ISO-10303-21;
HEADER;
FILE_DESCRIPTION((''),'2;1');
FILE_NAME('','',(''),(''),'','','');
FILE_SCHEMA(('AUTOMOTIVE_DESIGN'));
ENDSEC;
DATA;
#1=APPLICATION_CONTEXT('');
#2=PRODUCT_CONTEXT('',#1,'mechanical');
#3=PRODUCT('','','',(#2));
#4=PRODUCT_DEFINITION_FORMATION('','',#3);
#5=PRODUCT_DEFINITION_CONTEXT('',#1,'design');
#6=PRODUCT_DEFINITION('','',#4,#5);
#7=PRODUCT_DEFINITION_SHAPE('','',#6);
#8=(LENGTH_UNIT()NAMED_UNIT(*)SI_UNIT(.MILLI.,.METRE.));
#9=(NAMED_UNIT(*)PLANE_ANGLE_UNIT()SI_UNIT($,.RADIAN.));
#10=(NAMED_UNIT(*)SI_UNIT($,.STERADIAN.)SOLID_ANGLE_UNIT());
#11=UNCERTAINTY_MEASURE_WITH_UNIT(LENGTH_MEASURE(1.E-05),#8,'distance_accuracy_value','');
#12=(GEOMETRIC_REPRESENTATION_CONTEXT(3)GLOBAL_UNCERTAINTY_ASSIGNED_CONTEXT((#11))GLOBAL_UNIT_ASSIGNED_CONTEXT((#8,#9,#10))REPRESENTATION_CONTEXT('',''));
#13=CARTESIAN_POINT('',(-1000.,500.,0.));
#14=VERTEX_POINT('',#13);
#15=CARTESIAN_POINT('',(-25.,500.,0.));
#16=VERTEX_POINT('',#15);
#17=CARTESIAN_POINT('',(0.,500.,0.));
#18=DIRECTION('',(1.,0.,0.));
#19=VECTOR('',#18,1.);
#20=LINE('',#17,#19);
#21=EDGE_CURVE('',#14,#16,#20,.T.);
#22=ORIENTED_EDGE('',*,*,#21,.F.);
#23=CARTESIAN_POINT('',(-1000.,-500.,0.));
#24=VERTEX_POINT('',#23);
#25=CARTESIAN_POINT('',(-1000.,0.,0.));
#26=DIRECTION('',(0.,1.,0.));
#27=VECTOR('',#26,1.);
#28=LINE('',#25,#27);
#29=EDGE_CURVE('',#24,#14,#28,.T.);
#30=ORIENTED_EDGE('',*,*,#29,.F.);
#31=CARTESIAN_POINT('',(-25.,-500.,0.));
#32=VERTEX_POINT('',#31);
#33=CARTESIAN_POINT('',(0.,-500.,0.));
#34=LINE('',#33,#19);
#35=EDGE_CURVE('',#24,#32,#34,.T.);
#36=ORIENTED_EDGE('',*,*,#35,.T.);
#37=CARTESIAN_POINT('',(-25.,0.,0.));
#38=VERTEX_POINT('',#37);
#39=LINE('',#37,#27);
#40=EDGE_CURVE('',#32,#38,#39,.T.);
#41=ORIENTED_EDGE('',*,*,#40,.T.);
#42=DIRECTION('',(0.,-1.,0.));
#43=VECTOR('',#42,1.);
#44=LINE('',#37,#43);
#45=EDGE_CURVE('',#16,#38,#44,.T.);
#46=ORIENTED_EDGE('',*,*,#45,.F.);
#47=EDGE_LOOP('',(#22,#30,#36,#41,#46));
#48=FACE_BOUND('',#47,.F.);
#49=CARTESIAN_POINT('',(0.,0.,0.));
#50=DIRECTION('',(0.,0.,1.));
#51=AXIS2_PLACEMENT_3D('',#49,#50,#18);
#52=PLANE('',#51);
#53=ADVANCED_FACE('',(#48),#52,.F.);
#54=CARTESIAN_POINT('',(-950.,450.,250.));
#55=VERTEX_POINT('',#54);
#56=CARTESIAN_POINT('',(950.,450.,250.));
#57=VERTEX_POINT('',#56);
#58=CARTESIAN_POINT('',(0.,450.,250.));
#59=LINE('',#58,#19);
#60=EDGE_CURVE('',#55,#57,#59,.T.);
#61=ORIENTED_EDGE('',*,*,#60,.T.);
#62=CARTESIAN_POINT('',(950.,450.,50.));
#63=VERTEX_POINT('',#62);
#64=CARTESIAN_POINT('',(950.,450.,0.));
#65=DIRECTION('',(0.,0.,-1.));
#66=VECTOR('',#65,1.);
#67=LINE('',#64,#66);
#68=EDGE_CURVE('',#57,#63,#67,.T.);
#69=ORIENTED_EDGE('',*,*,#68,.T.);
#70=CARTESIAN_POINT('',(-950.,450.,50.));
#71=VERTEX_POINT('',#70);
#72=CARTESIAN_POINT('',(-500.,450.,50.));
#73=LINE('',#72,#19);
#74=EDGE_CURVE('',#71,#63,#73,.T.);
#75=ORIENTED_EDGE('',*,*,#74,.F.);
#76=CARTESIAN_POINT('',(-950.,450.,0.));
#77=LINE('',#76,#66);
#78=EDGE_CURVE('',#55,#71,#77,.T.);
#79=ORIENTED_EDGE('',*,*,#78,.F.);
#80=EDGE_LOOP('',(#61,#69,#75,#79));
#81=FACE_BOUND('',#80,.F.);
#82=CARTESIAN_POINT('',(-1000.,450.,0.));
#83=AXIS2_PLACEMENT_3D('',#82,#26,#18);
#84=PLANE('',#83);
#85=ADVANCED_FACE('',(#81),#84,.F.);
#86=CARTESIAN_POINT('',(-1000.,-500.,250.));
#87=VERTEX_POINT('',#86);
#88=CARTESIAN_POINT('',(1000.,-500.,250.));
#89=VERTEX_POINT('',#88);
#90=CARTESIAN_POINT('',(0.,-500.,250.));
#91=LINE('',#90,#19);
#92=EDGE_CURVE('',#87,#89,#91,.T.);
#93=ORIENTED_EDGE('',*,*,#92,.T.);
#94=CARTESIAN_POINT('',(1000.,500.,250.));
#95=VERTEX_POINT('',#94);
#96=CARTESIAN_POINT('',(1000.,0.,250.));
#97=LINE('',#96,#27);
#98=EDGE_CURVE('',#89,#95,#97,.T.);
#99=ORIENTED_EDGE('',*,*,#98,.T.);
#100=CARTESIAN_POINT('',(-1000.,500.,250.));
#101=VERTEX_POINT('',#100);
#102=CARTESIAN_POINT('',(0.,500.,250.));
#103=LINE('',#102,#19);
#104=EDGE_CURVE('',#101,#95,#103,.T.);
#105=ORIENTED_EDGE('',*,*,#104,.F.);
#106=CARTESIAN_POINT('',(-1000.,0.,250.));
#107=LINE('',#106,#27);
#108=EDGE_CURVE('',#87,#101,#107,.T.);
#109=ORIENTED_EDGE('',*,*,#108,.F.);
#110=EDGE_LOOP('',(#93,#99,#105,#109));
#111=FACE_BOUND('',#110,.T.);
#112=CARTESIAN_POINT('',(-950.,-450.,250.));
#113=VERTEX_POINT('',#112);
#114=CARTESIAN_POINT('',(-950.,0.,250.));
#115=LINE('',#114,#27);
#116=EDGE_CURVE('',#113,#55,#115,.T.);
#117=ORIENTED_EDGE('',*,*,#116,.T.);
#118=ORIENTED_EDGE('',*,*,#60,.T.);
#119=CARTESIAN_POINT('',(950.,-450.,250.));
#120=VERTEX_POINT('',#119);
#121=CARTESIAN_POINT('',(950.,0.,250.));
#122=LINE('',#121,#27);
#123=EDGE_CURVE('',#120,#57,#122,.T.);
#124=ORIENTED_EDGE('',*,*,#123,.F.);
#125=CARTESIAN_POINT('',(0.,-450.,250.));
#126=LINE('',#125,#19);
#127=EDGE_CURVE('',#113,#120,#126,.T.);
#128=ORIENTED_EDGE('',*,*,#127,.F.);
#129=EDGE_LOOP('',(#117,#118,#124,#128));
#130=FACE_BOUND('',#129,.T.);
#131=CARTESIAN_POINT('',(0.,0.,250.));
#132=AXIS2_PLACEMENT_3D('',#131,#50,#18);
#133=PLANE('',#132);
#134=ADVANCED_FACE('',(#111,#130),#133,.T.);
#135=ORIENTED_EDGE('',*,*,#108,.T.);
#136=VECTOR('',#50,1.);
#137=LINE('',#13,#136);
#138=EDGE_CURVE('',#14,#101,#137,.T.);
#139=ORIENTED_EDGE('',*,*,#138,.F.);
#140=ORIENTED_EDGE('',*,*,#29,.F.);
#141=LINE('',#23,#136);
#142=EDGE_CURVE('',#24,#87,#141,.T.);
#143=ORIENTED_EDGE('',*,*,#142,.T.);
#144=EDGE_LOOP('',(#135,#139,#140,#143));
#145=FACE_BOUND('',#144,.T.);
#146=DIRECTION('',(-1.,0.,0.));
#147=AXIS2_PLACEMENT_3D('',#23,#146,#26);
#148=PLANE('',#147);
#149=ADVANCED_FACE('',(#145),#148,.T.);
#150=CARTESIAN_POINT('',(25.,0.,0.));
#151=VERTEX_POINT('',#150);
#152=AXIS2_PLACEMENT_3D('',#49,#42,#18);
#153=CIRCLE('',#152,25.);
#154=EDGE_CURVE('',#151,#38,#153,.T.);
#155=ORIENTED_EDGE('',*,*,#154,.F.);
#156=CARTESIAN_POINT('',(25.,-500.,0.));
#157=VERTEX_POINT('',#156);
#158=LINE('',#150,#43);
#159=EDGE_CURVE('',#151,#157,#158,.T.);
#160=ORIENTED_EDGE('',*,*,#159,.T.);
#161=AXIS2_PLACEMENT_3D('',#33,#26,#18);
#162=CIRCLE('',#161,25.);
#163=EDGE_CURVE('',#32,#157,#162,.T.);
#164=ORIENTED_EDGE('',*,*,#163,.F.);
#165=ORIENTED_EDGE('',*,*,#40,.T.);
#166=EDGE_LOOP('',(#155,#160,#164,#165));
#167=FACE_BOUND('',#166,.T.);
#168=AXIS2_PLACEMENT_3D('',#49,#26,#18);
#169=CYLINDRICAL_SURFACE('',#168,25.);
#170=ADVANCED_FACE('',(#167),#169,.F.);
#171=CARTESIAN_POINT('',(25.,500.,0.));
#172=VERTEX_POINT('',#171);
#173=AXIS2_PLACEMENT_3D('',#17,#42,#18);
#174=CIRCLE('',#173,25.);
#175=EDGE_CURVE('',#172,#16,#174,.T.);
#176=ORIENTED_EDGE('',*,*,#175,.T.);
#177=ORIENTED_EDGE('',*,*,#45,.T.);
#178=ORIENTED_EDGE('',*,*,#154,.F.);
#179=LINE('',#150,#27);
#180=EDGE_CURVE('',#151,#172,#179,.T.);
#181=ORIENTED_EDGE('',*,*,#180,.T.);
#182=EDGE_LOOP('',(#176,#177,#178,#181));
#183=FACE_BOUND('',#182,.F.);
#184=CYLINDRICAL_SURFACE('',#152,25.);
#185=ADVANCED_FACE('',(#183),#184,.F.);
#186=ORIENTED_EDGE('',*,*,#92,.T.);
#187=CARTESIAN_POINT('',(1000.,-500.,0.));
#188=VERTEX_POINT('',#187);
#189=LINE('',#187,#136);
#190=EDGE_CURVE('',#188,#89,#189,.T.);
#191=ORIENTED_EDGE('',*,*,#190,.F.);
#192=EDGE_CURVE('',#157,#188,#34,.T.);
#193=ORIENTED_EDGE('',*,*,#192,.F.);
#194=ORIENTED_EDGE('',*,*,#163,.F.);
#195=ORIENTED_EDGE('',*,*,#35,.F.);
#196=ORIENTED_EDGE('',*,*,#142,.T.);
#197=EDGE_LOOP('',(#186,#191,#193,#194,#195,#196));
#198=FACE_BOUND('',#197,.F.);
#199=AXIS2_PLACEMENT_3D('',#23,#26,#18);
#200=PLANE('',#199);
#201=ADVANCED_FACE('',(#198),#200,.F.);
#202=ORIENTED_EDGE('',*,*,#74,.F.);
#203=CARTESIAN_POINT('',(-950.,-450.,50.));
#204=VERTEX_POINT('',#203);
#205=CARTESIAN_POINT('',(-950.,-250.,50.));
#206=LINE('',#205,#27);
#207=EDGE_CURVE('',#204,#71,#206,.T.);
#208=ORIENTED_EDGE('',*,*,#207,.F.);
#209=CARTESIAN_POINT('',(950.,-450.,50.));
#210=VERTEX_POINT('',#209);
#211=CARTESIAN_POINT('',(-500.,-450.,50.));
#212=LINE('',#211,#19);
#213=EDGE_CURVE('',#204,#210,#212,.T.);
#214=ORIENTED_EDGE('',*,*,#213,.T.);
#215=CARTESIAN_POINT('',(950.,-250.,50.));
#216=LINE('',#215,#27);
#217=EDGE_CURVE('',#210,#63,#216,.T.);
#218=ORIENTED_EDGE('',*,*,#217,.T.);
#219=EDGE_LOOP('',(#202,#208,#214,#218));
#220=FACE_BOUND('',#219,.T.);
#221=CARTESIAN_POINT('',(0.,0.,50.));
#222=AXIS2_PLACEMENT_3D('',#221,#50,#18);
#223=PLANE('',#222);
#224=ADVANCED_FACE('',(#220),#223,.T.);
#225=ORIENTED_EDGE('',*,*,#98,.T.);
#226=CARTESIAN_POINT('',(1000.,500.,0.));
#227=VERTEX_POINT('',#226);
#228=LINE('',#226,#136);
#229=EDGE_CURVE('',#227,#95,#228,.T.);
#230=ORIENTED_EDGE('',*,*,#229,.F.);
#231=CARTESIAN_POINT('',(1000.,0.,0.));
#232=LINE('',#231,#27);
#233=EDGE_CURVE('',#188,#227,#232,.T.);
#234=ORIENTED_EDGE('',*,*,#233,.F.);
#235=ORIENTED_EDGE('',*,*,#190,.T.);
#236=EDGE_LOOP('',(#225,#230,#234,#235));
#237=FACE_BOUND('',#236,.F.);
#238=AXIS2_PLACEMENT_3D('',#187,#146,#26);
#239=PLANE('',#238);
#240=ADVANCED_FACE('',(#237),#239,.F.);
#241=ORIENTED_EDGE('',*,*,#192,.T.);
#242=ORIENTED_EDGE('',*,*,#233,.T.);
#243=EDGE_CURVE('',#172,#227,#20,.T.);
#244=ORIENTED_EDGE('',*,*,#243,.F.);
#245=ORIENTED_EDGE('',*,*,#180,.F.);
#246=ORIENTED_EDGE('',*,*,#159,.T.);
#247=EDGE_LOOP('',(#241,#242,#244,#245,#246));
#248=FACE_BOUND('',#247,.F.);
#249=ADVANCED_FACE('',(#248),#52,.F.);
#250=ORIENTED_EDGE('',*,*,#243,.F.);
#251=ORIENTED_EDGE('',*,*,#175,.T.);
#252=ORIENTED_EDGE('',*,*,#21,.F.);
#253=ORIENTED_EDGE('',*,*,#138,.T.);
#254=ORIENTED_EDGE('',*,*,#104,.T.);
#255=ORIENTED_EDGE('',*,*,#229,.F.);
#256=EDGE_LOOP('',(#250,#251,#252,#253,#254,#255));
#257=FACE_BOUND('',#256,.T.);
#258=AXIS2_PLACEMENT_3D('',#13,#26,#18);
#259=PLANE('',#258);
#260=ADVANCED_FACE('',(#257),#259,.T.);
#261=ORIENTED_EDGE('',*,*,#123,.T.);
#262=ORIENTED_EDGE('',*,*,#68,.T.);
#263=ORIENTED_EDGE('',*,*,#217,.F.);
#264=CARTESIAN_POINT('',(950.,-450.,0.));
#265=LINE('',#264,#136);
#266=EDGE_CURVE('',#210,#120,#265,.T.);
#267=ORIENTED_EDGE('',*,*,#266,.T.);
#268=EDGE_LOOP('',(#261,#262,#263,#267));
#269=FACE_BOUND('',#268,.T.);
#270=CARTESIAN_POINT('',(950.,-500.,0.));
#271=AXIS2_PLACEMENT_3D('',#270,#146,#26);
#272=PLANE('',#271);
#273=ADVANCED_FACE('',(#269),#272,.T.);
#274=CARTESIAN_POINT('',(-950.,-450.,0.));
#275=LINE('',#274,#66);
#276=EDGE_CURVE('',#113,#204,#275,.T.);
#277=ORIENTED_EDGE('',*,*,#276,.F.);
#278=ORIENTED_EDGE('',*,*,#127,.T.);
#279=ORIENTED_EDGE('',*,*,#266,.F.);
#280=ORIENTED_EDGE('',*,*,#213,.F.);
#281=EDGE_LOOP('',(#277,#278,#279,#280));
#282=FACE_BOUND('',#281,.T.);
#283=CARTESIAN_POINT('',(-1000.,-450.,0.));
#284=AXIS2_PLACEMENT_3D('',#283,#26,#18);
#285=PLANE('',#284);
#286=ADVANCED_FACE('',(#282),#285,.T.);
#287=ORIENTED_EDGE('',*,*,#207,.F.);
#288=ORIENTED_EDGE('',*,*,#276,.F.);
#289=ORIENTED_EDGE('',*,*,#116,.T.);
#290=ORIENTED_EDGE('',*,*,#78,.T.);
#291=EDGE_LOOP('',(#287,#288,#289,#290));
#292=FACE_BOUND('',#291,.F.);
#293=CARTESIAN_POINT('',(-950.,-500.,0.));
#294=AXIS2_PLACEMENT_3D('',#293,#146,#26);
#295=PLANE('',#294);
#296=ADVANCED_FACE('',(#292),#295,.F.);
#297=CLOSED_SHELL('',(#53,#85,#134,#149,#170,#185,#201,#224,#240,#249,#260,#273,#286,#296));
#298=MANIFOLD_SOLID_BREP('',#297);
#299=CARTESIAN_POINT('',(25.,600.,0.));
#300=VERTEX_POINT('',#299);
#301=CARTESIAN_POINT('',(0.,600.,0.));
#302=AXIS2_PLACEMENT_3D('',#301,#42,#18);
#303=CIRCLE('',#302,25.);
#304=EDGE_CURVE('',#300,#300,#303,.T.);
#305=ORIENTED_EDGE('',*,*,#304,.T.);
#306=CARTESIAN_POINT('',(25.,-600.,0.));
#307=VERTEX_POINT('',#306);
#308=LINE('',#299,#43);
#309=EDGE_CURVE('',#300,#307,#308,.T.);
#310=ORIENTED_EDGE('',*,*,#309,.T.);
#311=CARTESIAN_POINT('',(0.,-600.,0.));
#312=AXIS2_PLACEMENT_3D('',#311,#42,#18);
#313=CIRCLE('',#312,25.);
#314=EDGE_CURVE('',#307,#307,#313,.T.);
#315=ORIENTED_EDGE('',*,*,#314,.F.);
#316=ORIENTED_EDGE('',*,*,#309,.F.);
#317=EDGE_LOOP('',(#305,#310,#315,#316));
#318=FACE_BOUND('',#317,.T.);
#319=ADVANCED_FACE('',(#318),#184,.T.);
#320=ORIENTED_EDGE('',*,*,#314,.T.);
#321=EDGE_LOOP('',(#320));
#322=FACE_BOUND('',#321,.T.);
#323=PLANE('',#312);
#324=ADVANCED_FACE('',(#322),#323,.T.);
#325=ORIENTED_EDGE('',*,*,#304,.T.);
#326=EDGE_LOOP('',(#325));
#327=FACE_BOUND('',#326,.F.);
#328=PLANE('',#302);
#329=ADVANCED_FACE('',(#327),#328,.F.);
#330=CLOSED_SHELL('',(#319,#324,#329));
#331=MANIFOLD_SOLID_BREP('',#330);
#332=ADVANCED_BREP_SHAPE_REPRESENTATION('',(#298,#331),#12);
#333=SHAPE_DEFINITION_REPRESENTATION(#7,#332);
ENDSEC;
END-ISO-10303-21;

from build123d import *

# Parameters (mm, degrees)
F0_W          = 2000
F0_H          = 1000
F1_DEPTH      = 250
F2_T          = -50
F3_R          = 25
F4_DEPTH      = 500.001
F4_DEPTH_BACK = 500.001
F5_DEPTH      = 600
F5_DEPTH_BACK = 600


with BuildPart() as f1:
    # F0 (on Top) → F1 (new body)
    with BuildSketch(Plane.XY):
        Rectangle(F0_W, F0_H)
    extrude(amount=F1_DEPTH)

    # F2
    f2_openings = [f1.faces().sort_by_distance(p)[0] for p in [
        (0, 0, 250),
    ]]
    offset(amount=F2_T, openings=f2_openings)

    # F3 (on Front) → F4 (cut, two sides)
    with BuildSketch(Plane.XZ) as f4_sk:
        Circle(F3_R)
    extrude(amount=-F4_DEPTH, mode=Mode.SUBTRACT)
    extrude(f4_sk.sketch, amount=F4_DEPTH_BACK, mode=Mode.SUBTRACT)


with BuildPart() as f5:
    # F3 (on Front) → F5 (new body, two sides)
    with BuildSketch(Plane.XZ) as f5_sk:
        Circle(F3_R)
    extrude(amount=F5_DEPTH)
    extrude(f5_sk.sketch, amount=-F5_DEPTH_BACK)


solid = Compound([f1.part, f5.part])
